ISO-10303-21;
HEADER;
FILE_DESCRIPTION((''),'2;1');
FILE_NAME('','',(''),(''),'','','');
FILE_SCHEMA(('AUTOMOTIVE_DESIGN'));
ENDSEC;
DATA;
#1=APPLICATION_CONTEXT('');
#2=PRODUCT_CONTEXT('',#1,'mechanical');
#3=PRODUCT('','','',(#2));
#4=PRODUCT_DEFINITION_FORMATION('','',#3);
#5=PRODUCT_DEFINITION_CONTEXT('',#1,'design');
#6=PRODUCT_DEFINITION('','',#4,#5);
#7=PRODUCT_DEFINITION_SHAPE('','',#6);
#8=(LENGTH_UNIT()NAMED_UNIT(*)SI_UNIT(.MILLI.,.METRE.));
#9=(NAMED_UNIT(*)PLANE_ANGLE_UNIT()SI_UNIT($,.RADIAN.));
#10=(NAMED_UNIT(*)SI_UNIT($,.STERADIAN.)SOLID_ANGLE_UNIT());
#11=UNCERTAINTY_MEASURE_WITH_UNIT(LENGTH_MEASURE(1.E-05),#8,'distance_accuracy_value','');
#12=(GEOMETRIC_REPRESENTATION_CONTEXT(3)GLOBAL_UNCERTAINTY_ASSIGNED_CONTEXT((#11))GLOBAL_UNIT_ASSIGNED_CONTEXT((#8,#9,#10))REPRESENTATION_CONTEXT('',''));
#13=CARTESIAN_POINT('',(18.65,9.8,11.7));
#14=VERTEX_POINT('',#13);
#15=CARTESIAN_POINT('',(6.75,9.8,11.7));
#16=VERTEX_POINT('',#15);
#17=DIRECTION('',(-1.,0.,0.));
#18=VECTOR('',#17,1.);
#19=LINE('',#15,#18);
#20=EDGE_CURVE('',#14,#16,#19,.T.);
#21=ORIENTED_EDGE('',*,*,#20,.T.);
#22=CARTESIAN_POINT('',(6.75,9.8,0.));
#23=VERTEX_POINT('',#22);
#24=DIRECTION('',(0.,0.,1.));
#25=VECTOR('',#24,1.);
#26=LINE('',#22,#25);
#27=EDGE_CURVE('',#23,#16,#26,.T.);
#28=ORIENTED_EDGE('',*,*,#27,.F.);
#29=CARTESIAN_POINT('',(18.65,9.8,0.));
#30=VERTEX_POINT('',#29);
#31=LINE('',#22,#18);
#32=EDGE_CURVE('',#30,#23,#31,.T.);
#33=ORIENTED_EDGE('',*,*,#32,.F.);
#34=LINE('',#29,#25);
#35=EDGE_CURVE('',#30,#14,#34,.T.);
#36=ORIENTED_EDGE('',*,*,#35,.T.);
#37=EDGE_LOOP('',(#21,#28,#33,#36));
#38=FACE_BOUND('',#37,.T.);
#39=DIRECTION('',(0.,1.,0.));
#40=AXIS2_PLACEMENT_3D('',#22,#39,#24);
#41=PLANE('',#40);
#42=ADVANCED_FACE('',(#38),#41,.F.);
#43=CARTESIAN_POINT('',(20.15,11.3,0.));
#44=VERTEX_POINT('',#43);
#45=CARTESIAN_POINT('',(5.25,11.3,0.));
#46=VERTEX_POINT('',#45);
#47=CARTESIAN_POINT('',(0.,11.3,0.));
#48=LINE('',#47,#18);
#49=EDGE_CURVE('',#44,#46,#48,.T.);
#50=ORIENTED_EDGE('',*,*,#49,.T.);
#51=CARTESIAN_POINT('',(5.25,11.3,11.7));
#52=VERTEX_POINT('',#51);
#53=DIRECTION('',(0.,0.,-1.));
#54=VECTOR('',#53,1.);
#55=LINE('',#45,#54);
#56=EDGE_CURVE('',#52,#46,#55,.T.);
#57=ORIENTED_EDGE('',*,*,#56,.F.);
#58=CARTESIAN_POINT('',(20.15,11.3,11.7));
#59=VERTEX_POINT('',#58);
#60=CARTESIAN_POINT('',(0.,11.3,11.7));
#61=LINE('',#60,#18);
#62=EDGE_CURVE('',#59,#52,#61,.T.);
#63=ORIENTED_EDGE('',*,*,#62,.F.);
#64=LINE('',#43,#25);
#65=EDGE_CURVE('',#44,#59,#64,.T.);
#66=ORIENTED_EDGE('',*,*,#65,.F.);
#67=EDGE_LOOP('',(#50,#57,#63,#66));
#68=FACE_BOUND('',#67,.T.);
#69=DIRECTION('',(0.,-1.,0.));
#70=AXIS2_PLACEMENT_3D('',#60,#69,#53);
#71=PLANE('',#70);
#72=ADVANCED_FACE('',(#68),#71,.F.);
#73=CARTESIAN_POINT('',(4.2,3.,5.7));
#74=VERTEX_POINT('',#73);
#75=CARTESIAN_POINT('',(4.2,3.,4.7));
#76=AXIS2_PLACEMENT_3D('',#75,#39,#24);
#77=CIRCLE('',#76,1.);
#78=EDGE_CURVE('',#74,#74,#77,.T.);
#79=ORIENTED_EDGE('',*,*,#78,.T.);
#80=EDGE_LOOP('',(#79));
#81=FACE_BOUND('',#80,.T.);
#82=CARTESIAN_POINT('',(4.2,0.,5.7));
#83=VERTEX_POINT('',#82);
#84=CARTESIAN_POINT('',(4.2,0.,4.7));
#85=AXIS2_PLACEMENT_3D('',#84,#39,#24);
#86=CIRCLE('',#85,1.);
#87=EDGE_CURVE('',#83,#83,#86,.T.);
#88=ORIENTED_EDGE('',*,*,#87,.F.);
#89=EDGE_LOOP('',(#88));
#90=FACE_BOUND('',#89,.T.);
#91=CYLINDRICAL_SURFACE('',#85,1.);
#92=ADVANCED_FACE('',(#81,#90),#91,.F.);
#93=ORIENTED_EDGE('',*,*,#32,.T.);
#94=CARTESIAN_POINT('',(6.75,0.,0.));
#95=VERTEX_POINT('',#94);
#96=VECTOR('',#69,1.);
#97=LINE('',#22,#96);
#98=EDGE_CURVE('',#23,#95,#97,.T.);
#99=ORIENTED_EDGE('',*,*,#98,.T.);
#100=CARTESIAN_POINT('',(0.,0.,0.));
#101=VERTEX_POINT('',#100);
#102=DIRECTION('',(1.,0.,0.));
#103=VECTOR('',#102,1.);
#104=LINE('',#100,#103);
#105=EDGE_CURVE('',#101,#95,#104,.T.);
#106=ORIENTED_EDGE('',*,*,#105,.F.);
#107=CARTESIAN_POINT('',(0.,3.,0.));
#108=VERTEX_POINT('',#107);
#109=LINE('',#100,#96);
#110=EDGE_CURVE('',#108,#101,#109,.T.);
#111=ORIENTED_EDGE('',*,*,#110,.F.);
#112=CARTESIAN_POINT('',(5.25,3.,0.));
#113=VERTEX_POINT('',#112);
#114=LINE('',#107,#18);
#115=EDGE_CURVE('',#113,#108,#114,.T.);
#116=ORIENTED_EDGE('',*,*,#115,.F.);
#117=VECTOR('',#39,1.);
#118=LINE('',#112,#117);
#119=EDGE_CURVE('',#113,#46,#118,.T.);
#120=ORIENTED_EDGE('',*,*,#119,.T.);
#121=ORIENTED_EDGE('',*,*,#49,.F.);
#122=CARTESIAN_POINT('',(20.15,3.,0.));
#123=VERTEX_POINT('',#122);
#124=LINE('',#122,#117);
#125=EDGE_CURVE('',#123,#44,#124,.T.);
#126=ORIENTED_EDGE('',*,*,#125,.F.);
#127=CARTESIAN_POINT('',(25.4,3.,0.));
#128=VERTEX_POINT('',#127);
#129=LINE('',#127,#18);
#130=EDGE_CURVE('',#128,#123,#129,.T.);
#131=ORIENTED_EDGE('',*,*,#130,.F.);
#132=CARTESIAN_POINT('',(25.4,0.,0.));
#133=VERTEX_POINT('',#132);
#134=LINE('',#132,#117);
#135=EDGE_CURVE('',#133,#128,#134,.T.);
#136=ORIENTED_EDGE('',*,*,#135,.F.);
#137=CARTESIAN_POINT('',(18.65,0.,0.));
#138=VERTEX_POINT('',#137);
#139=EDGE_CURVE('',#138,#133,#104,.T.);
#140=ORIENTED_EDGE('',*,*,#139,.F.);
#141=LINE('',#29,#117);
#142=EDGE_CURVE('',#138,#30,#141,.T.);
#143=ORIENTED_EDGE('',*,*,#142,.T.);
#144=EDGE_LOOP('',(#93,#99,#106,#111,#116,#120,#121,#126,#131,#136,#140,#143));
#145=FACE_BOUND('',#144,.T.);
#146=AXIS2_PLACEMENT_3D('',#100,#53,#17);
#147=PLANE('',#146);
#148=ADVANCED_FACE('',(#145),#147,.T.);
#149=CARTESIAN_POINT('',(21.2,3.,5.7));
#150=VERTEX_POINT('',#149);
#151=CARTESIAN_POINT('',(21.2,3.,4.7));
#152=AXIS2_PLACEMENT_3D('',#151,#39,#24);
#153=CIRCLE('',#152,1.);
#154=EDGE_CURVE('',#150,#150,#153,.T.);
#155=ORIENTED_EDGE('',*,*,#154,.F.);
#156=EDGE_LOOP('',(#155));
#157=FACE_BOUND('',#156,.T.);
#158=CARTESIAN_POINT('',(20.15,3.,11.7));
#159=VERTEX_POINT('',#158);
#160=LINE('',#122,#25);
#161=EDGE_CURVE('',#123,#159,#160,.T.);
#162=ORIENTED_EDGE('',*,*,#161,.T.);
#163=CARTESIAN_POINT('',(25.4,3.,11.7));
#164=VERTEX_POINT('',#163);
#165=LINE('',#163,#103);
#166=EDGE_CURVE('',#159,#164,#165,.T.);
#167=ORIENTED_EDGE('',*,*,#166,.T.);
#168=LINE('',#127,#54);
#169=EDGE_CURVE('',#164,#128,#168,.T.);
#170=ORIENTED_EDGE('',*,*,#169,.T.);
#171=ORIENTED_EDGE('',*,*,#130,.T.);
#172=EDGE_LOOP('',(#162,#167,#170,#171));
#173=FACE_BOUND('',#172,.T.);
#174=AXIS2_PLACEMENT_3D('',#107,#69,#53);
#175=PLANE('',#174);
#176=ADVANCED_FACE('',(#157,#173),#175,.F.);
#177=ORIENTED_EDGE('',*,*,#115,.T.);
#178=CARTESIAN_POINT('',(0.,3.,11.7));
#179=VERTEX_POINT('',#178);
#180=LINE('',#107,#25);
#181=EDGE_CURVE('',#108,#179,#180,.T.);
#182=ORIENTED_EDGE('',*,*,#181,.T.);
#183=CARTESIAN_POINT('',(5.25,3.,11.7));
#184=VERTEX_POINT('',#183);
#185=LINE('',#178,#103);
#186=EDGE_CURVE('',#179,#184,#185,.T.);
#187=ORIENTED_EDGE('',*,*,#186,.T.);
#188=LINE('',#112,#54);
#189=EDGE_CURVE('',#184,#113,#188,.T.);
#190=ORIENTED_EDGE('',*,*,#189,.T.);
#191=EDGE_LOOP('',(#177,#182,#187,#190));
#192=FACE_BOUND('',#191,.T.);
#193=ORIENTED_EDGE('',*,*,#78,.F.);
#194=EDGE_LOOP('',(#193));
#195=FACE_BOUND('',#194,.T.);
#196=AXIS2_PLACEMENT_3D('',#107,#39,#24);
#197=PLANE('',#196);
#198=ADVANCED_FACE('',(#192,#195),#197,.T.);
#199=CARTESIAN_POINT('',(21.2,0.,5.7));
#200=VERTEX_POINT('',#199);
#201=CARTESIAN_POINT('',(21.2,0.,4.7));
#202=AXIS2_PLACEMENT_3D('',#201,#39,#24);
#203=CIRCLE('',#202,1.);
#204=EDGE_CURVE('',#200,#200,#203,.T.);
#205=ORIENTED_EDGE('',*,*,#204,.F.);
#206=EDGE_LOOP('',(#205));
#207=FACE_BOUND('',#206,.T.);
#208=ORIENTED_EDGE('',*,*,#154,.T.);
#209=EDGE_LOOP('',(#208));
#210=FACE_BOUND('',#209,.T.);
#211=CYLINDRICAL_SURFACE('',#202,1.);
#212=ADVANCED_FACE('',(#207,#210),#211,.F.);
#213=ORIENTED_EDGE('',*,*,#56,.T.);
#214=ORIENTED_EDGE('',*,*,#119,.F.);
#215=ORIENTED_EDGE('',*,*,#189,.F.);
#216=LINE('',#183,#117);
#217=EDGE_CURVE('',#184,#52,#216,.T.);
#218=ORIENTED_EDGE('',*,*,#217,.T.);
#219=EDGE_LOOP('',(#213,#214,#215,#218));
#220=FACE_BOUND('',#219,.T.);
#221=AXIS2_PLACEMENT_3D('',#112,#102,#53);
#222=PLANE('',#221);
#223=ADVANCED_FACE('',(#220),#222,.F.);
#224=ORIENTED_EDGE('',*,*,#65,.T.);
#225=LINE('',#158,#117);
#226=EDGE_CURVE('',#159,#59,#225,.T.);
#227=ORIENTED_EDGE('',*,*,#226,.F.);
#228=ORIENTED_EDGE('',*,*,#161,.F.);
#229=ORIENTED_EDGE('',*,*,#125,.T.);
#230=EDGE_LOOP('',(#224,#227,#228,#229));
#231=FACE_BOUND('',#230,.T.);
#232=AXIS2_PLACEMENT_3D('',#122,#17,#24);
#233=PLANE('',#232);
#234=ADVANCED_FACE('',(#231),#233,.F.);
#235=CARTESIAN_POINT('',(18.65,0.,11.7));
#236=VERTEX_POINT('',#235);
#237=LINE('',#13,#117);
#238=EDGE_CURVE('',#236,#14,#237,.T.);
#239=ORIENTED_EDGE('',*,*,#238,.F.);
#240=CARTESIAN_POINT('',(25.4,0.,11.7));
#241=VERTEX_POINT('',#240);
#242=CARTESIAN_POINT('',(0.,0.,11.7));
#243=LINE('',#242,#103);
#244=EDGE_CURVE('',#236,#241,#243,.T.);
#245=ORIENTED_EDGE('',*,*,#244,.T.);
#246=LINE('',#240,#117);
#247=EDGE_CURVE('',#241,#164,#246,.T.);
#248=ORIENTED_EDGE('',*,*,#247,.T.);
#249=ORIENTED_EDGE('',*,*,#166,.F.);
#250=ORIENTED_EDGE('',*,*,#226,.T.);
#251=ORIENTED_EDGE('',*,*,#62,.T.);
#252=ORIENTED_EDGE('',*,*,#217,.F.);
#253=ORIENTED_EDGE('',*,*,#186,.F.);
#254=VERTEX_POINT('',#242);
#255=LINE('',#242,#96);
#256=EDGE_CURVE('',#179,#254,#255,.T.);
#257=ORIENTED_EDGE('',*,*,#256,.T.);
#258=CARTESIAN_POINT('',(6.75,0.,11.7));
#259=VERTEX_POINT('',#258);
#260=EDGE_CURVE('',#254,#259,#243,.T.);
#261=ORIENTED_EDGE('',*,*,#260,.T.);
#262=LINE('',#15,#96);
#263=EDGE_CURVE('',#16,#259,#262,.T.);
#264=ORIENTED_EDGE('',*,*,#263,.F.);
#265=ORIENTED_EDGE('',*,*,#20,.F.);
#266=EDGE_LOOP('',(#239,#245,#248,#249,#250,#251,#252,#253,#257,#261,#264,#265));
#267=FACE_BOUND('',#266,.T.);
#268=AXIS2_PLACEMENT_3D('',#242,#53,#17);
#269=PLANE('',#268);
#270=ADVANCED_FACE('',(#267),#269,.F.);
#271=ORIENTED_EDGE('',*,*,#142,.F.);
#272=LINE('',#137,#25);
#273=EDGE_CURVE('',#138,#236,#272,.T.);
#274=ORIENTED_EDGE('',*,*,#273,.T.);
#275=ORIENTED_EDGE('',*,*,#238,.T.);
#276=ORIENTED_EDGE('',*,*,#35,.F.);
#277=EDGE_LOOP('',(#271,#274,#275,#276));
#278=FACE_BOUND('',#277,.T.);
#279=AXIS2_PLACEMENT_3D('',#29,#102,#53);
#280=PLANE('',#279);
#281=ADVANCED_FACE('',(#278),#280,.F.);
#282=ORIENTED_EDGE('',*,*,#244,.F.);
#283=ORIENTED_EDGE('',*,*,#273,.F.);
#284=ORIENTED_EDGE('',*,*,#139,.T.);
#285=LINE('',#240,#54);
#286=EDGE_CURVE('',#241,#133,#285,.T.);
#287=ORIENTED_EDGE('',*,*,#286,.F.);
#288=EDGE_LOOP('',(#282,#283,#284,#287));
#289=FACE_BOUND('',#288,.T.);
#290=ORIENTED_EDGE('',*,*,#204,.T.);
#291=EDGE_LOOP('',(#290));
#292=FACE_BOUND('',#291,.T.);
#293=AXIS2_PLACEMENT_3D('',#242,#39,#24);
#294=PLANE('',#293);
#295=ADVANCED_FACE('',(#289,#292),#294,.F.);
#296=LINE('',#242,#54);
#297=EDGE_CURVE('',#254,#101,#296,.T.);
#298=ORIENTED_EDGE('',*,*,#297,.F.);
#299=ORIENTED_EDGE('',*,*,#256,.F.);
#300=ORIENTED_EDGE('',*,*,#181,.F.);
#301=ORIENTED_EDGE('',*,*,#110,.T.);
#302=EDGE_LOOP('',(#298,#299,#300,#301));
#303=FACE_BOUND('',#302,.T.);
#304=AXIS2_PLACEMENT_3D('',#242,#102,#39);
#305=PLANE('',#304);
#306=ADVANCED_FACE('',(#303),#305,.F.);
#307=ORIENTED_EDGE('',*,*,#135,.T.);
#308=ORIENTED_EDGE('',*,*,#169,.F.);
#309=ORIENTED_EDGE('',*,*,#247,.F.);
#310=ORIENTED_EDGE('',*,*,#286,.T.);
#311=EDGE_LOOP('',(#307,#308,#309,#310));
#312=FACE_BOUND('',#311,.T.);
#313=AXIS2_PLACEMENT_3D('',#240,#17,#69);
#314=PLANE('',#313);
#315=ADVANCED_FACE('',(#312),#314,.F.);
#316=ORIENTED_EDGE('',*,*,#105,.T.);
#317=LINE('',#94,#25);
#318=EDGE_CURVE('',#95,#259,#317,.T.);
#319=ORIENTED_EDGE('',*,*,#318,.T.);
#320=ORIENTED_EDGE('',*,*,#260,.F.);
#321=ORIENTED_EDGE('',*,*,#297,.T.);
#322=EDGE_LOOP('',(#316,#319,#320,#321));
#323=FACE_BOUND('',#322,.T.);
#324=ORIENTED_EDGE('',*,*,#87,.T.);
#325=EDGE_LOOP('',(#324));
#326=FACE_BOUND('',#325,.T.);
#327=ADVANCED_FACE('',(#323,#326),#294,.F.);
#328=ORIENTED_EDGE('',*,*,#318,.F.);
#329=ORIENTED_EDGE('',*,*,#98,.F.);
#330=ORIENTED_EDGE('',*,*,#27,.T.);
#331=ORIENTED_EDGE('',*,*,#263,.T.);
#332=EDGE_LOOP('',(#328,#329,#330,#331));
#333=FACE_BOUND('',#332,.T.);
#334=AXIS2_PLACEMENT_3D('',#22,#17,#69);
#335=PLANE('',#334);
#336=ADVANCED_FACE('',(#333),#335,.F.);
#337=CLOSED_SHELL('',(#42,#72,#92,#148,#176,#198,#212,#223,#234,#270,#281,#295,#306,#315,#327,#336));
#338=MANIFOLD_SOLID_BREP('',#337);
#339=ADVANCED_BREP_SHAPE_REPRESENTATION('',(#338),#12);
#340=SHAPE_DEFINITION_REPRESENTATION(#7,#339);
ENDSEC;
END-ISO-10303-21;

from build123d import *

# Parameters (mm, degrees)
CROQUIS1_W              = 25.4
CROQUIS1_H              = 11.3
SALIENTE_EXTRUIR1_DEPTH = 11.7
CROQUIS2_W              = 5.25
CROQUIS2_H              = 11.7
CORTAR_EXTRUIR1_DEPTH   = 8.3
CROQUIS3_W              = 11.9
CROQUIS3_H              = 9.8
CORTAR_EXTRUIR2_DEPTH   = 31.161896492
CROQUIS4_R              = 1
CORTAR_EXTRUIR3_DEPTH   = 30.170875887


with BuildPart() as part:
    # Croquis1 → Saliente-Extruir1 (new body)
    with BuildSketch(Plane.XY):
        with Locations((12.7, 5.65)):
            Rectangle(CROQUIS1_W, CROQUIS1_H)
    extrude(amount=SALIENTE_EXTRUIR1_DEPTH)

    # Croquis2 → Cortar-Extruir1 (cut)
    with BuildSketch(Plane(origin=(0, 11.3, 0), x_dir=(1, 0, 0), z_dir=(0, 1, 0))):
        with Locations((2.625, -5.85)):
            Rectangle(CROQUIS2_W, CROQUIS2_H)
        with Locations((22.775, -5.85)):
            Rectangle(CROQUIS2_W, CROQUIS2_H)
    extrude(amount=-CORTAR_EXTRUIR1_DEPTH, mode=Mode.SUBTRACT)

    # Croquis3 → Cortar-Extruir2 (cut, through all)
    with BuildSketch(Plane.XY.offset(11.7)):
        with Locations((12.7, 4.9)):
            Rectangle(CROQUIS3_W, CROQUIS3_H)
    extrude(amount=-CORTAR_EXTRUIR2_DEPTH, mode=Mode.SUBTRACT)

    # Croquis4 → Cortar-Extruir3 (cut, through all)
    with BuildSketch(Plane(origin=(0, 3, 0), x_dir=(1, 0, 0), z_dir=(0, 1, 0))):
        with Locations(Location((21.2, -4.7, 0), (0, 0, 270))):
            Circle(CROQUIS4_R)
        with Locations(Location((4.2, -4.7, 0), (0, 0, 270))):
            Circle(CROQUIS4_R)
    extrude(amount=-CORTAR_EXTRUIR3_DEPTH, mode=Mode.SUBTRACT)


solid = part.part
